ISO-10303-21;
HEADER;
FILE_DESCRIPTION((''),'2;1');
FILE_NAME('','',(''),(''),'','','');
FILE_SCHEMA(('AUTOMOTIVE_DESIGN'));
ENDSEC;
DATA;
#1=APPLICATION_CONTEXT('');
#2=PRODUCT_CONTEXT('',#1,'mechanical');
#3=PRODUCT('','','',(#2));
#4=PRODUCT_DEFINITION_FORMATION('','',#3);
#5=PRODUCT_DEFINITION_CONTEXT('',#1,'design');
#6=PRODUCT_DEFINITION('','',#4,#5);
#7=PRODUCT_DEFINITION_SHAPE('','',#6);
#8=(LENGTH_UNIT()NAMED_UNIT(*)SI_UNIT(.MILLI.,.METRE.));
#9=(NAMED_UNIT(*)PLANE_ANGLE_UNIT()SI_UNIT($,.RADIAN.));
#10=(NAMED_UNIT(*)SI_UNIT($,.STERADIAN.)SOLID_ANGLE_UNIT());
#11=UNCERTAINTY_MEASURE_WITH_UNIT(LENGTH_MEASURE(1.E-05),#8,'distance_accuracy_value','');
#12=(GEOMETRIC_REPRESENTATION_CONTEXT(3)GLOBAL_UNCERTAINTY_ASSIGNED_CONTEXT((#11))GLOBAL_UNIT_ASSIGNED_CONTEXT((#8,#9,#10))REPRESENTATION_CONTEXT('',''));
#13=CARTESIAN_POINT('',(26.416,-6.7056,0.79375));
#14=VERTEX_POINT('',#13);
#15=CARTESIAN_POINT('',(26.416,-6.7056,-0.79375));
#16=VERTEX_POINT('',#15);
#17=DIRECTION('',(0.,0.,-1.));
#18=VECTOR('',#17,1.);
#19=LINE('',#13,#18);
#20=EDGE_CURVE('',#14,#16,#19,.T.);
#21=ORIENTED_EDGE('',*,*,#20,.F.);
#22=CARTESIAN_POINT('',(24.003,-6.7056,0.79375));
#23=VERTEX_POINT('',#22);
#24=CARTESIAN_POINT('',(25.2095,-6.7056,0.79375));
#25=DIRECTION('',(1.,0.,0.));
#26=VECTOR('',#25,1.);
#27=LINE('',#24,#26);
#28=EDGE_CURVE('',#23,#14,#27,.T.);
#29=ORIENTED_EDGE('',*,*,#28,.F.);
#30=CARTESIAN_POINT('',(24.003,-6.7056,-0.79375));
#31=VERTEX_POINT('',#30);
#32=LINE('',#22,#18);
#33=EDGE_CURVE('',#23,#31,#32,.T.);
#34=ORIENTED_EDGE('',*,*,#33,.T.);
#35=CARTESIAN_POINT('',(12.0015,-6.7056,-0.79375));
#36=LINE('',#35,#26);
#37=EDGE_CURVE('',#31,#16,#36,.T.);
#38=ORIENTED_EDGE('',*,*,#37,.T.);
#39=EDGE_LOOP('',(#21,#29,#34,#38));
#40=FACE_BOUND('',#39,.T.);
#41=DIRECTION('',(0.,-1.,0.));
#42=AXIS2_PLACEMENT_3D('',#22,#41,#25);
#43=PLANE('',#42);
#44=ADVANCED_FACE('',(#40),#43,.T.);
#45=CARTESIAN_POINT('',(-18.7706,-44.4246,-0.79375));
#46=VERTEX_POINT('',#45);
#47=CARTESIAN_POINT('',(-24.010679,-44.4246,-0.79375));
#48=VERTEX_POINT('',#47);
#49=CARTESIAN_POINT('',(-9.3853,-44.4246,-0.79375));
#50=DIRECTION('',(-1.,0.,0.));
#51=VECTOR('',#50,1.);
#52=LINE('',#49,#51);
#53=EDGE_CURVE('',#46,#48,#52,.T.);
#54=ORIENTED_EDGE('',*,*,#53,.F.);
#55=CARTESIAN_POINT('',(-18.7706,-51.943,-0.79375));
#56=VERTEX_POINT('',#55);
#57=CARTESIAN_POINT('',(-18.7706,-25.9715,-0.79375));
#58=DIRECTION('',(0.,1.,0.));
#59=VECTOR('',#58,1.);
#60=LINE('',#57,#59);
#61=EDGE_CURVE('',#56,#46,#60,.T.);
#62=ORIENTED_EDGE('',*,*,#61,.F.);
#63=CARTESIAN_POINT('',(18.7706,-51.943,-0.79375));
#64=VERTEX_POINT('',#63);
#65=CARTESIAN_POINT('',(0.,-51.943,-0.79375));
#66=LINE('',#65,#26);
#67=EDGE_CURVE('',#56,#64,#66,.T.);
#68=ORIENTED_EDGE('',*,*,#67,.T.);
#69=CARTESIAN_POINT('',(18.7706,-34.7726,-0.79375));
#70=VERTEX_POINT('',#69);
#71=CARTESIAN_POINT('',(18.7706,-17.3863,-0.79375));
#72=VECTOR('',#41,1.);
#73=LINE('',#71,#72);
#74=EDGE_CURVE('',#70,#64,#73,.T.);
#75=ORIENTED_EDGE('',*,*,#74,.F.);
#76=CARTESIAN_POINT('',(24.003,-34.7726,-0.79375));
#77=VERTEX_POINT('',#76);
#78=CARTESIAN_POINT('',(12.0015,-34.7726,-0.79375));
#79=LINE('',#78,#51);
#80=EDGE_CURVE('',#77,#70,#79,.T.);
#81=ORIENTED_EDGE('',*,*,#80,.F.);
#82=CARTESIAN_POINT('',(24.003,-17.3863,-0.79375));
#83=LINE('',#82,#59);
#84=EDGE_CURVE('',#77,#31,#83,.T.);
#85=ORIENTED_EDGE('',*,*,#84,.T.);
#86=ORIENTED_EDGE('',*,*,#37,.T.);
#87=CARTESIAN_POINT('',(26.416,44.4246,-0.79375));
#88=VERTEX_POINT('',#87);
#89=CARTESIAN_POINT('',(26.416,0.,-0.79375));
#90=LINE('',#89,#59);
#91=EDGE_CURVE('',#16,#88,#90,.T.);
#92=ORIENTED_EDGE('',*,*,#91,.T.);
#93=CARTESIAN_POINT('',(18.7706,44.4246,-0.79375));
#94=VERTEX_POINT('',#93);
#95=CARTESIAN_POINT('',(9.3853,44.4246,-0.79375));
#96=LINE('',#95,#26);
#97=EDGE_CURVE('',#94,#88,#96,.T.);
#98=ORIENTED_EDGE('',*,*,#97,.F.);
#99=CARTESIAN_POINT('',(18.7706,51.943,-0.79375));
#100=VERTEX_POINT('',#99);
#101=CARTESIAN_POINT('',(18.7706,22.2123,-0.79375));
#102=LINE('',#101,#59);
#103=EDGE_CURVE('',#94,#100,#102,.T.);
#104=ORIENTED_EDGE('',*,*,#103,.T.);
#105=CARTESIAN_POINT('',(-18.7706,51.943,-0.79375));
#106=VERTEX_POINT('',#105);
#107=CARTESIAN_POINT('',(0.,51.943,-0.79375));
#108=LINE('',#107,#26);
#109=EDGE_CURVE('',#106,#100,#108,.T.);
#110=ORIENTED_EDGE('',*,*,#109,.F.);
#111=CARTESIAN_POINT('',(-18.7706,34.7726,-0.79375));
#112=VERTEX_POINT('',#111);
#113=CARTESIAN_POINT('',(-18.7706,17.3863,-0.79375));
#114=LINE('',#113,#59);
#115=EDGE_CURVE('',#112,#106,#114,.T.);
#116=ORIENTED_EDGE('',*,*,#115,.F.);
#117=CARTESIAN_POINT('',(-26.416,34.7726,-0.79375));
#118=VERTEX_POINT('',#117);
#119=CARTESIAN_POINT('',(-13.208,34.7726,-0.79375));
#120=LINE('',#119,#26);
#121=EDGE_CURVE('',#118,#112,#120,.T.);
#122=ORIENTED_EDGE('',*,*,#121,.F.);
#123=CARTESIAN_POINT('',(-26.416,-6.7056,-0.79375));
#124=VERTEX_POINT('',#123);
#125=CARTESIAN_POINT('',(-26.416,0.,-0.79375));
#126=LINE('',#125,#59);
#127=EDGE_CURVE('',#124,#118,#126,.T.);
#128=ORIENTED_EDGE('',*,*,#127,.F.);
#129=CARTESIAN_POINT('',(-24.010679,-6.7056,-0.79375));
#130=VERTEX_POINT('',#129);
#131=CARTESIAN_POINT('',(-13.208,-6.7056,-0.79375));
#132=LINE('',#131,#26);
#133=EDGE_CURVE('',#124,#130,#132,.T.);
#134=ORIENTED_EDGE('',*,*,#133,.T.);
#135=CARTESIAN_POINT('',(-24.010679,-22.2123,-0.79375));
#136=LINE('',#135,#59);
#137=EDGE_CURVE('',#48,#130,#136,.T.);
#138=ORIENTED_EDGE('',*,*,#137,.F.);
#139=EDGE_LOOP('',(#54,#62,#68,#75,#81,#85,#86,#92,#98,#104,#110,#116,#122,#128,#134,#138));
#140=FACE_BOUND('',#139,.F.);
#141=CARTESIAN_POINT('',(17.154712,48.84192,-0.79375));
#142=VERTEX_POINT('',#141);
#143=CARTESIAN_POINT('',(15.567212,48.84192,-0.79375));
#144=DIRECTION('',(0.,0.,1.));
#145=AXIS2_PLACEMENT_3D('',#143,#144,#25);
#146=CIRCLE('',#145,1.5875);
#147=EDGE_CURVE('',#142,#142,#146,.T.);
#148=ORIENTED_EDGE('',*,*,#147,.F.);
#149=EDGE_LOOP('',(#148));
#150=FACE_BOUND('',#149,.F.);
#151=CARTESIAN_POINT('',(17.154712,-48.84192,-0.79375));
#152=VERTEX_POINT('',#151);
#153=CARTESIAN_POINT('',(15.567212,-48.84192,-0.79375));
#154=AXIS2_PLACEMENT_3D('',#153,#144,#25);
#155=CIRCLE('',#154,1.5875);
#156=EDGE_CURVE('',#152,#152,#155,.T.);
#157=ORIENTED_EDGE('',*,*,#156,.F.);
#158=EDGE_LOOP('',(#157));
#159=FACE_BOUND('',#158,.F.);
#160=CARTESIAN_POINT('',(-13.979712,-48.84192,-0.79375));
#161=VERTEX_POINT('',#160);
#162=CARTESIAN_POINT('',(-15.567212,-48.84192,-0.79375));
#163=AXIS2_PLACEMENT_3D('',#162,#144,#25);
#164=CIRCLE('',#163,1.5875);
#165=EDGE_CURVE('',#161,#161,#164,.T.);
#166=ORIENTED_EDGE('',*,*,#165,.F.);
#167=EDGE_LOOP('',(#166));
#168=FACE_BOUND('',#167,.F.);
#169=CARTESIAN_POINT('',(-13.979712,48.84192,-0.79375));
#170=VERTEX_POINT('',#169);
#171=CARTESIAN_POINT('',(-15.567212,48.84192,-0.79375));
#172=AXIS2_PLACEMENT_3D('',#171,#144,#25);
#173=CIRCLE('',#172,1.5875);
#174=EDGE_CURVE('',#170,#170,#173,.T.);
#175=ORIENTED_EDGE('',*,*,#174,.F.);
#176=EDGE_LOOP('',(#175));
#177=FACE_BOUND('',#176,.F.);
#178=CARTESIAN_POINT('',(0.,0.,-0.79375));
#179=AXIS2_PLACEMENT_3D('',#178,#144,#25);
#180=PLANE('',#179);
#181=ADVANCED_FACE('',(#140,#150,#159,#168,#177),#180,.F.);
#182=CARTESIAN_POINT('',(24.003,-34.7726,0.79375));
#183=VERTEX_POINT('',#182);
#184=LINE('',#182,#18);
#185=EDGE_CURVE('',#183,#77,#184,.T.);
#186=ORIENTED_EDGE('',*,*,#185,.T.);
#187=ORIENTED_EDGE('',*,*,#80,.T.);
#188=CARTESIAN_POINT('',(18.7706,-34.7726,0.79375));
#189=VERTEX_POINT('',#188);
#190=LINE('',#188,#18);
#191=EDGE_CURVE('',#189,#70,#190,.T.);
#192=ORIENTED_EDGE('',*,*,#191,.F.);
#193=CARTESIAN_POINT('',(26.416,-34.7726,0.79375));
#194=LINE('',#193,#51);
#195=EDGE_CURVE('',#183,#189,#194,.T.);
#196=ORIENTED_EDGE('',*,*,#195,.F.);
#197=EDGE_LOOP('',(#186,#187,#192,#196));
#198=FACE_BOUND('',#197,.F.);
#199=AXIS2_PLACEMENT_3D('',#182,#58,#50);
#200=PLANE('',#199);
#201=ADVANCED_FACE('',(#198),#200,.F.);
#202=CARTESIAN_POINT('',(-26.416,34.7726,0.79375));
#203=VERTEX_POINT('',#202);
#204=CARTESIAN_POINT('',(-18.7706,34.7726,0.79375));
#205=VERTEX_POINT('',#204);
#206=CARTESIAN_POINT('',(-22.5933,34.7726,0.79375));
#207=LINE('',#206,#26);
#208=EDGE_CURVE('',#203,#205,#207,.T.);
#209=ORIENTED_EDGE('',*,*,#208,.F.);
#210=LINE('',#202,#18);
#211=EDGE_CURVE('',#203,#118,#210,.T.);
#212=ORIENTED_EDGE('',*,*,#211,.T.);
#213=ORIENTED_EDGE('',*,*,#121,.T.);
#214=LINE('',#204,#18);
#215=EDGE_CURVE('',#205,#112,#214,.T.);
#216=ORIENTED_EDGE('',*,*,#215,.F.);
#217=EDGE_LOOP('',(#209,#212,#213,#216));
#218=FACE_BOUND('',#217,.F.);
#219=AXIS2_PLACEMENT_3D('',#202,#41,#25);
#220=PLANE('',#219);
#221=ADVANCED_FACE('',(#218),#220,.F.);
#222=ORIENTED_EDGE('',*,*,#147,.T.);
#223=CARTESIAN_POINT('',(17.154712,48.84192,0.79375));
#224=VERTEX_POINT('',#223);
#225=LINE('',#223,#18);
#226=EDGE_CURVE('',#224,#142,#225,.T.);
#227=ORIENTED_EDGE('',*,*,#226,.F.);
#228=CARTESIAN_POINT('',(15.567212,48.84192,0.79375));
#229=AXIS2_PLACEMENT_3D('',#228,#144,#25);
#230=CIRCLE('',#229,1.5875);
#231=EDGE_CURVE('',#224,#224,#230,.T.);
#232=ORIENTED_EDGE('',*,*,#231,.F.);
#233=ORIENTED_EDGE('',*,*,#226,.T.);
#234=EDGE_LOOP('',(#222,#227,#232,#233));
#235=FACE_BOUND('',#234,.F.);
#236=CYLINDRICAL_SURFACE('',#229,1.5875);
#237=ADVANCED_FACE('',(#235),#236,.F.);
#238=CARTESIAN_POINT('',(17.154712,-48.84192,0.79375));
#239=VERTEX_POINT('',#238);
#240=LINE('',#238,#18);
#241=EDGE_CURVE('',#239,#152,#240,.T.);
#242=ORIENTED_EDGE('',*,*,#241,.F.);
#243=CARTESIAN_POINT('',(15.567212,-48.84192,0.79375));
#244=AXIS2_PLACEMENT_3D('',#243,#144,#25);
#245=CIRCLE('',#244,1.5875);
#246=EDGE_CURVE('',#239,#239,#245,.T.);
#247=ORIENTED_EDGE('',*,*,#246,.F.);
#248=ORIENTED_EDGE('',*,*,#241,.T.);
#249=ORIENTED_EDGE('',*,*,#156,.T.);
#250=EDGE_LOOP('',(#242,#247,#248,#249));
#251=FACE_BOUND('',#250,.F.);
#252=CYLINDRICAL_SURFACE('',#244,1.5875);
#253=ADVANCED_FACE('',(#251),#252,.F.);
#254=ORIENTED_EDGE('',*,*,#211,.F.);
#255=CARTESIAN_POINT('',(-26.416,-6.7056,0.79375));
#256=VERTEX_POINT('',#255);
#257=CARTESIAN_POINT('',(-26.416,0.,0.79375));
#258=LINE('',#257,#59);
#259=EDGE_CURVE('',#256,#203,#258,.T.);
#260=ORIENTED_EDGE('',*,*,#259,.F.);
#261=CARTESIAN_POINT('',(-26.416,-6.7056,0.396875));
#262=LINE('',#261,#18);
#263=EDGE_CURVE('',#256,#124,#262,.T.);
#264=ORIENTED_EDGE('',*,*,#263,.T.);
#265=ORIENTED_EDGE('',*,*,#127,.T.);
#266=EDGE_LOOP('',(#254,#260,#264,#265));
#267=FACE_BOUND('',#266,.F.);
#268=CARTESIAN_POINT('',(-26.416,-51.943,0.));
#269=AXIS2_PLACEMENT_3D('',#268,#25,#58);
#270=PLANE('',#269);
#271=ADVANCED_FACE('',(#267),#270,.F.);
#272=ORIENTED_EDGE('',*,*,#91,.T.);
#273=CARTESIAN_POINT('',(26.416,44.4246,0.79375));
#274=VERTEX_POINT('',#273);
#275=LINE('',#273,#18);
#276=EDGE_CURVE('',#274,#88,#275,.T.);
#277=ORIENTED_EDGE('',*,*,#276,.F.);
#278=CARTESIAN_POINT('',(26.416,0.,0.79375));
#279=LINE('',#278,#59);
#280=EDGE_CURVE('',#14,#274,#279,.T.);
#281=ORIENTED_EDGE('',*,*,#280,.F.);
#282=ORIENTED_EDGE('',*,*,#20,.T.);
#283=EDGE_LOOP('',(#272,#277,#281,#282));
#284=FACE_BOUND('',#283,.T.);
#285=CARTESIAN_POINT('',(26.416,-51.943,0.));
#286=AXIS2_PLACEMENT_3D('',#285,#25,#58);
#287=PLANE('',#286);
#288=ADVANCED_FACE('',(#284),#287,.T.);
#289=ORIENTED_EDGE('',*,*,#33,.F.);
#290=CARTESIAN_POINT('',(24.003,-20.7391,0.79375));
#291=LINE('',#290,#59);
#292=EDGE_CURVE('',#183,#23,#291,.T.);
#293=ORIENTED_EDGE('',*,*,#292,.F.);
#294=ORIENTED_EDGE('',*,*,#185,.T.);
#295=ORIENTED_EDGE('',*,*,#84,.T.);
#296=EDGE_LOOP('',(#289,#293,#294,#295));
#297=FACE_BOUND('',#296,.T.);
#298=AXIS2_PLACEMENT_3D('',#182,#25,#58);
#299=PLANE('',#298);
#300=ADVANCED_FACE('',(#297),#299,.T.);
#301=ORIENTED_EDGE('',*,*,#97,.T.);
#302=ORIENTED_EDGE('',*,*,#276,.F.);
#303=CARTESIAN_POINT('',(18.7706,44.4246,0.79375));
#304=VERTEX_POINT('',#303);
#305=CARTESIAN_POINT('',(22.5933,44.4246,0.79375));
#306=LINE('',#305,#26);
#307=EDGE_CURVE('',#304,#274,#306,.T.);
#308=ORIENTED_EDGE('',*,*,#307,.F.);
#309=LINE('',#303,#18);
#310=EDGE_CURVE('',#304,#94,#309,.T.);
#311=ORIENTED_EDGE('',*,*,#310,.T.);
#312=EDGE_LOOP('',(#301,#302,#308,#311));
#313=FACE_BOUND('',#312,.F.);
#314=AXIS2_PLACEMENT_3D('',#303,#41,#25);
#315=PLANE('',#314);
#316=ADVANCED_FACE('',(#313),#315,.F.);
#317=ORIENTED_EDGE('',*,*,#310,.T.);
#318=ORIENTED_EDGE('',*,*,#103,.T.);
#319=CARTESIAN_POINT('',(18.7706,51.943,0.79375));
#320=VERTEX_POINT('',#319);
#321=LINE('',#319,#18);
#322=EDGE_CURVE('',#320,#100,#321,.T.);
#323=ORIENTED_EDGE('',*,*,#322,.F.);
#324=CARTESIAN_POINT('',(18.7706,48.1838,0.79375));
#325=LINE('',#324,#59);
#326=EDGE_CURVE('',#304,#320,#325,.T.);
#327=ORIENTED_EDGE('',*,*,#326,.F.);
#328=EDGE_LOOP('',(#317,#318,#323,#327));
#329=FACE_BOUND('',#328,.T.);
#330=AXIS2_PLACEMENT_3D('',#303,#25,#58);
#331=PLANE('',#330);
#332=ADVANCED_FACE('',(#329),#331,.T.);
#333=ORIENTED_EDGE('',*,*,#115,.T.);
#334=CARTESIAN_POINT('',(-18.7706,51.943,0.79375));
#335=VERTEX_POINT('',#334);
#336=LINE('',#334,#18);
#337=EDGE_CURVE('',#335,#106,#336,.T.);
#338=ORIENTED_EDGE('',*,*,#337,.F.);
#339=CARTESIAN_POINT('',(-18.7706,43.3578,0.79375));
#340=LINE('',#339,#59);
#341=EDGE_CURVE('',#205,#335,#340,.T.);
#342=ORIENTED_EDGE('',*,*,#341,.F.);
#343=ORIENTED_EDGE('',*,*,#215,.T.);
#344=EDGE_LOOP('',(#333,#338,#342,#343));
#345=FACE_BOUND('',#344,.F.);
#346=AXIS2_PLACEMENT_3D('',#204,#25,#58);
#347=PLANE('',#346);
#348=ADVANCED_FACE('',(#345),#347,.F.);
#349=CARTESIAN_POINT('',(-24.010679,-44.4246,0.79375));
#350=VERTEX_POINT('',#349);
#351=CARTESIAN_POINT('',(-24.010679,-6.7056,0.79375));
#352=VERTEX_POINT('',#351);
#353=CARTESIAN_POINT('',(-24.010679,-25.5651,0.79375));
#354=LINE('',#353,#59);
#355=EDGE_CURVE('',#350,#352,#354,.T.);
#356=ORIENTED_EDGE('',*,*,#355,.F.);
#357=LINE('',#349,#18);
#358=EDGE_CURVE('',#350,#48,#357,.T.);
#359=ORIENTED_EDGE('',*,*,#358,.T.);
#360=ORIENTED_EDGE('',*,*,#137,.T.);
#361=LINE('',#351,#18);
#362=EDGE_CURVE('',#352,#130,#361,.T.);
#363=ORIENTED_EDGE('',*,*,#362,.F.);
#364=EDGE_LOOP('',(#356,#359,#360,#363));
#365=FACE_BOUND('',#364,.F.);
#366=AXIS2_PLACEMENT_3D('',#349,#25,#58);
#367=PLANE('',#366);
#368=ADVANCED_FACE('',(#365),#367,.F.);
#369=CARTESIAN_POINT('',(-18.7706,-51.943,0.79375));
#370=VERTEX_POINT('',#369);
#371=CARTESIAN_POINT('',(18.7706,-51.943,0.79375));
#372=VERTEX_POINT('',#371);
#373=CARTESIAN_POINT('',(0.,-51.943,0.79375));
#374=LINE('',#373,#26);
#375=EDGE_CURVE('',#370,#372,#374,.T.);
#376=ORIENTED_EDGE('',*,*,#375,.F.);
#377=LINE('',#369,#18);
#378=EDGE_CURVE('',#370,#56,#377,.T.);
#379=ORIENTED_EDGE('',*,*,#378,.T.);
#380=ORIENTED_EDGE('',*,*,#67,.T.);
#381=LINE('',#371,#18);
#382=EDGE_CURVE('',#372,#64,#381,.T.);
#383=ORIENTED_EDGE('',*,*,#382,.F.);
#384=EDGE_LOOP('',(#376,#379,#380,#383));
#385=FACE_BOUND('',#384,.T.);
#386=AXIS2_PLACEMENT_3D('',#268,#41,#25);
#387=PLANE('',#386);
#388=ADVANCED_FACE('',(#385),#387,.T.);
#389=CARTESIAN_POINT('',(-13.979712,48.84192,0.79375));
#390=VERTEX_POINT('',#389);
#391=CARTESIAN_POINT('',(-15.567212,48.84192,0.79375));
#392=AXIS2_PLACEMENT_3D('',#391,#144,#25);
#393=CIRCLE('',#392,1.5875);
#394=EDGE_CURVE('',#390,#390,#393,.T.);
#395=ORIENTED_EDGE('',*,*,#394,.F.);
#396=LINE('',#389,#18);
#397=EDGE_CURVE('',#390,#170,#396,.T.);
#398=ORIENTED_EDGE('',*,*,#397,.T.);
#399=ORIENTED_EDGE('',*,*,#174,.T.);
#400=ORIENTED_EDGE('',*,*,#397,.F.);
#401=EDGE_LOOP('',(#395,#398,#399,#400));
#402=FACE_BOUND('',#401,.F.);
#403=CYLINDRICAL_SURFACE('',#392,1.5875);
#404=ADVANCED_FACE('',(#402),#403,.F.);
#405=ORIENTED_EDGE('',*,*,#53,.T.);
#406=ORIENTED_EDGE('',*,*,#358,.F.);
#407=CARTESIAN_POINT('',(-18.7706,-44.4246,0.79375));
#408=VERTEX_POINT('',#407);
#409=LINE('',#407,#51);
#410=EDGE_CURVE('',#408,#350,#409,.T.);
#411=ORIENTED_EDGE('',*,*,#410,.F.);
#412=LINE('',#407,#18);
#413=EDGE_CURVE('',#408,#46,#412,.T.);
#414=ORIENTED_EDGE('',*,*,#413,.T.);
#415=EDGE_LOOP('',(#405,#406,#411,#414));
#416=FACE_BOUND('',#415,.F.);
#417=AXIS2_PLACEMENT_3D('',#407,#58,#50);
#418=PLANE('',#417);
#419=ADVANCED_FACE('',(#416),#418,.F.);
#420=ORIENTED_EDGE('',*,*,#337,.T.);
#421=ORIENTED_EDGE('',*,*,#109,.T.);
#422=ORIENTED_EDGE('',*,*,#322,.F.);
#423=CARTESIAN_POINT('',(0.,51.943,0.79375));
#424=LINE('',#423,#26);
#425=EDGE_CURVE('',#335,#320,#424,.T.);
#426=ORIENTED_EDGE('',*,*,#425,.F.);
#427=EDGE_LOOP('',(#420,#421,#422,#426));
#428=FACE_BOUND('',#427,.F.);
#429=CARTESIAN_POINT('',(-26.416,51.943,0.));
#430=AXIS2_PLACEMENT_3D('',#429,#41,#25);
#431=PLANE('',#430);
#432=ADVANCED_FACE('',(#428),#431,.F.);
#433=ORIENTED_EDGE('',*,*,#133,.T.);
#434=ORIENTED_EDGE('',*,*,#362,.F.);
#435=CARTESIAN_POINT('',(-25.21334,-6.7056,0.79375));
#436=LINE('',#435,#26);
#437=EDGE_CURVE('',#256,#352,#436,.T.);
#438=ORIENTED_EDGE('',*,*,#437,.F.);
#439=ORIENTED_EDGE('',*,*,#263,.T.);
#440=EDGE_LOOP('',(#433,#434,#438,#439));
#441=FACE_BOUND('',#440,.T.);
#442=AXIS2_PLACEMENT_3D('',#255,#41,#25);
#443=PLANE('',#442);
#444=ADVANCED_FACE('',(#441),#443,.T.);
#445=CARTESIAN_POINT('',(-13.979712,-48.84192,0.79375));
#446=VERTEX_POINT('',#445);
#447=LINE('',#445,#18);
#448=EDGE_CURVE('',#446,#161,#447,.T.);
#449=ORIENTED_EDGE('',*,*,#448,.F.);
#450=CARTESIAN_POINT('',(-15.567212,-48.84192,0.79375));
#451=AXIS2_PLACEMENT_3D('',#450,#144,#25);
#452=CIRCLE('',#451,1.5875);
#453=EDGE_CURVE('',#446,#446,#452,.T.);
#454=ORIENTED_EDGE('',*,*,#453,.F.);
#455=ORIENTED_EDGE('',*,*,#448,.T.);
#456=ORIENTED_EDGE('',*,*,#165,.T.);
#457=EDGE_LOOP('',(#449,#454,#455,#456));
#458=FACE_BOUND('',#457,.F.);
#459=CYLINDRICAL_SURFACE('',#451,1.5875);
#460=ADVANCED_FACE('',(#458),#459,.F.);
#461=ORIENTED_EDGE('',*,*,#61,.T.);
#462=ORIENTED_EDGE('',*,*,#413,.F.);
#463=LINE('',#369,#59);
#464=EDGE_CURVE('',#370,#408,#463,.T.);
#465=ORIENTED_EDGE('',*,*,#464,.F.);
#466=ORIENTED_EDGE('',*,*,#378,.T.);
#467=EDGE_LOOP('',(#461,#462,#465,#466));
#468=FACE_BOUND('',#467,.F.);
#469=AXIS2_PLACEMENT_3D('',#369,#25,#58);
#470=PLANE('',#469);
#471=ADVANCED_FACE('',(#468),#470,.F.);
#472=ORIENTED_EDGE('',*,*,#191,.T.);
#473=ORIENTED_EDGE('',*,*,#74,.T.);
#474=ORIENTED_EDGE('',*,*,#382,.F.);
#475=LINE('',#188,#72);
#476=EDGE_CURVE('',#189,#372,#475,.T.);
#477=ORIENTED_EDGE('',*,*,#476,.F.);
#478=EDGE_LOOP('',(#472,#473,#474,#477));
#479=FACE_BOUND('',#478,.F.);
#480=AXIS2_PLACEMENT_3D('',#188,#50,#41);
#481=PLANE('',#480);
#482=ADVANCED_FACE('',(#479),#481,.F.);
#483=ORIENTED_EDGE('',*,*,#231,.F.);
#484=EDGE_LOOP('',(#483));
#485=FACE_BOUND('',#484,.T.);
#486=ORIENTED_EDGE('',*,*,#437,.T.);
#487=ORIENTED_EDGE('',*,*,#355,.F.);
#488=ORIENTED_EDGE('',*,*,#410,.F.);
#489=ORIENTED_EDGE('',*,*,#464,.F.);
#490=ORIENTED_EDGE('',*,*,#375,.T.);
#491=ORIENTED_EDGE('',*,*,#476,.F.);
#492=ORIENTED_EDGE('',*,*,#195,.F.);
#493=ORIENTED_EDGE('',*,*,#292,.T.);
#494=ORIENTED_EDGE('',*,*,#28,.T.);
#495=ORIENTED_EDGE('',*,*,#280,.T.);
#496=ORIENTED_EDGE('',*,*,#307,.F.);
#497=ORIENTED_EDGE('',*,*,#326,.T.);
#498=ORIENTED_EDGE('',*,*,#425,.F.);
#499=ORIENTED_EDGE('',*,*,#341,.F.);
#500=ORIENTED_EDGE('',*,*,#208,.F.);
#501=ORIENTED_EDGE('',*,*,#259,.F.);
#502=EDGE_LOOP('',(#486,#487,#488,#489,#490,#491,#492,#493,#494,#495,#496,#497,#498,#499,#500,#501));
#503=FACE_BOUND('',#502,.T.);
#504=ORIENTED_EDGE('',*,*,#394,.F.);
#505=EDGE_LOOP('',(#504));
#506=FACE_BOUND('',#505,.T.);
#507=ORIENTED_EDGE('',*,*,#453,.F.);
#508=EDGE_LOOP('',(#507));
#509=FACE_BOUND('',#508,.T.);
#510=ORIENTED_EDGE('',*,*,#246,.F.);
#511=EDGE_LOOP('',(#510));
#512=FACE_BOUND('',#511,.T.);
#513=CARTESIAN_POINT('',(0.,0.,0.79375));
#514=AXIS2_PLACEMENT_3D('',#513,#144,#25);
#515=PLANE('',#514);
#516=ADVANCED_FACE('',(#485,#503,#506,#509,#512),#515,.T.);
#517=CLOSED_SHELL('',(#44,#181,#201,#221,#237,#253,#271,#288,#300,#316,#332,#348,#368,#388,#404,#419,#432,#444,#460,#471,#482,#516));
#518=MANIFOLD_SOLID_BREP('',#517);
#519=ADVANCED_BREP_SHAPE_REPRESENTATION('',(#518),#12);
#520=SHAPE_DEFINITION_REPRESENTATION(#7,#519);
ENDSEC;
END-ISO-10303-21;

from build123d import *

# Parameters (mm, degrees)
F0_W     = 52.832
F0_H     = 103.886
F1_DEPTH = 0.79375
F2_W     = 7.6454
F2_H     = 17.1704
F2_H_2   = 7.5184
F2_W_2   = 2.405321
F2_H_3   = 37.719
F2_W_3   = 2.413
F2_H_4   = 28.067
F2_R     = 1.5875
F3_DEPTH = 1.6002


with BuildPart() as f1:
    # F0 (on Top) → F1 (new body, symmetric)
    with BuildSketch(Plane.XY):
        Rectangle(F0_W, F0_H)
    extrude(amount=F1_DEPTH, both=True)

    # F2 (on face) → F3 (cut)
    with BuildSketch(Plane.XY.offset(0.79375)):
        with Locations((-22.5933, 43.3578)):
            Rectangle(F2_W, F2_H)
        with Locations((22.5933, 48.1838)):
            Rectangle(F2_W, F2_H_2)
        Polygon((-26.416, -44.4246), (-26.416, -51.943), (-18.7706, -51.943), (-18.7706, -44.4246), (-24.010679, -44.4246), align=None)
        with Locations((-25.21334, -25.5651)):
            Rectangle(F2_W_2, F2_H_3)
        Polygon((18.7706, -51.943), (26.416, -51.943), (26.416, -34.7726), (24.003, -34.7726), (18.7706, -34.7726), align=None)
        with Locations((25.2095, -20.7391)):
            Rectangle(F2_W_3, F2_H_4)
        with Locations((-15.567212, 48.84192)):
            Circle(F2_R)
        with Locations((15.567212, 48.84192)):
            Circle(F2_R)
        with Locations((-15.567212, -48.84192)):
            Circle(F2_R)
        with Locations((15.567212, -48.84192)):
            Circle(F2_R)
    extrude(amount=-F3_DEPTH, mode=Mode.SUBTRACT)


solid = f1.part
